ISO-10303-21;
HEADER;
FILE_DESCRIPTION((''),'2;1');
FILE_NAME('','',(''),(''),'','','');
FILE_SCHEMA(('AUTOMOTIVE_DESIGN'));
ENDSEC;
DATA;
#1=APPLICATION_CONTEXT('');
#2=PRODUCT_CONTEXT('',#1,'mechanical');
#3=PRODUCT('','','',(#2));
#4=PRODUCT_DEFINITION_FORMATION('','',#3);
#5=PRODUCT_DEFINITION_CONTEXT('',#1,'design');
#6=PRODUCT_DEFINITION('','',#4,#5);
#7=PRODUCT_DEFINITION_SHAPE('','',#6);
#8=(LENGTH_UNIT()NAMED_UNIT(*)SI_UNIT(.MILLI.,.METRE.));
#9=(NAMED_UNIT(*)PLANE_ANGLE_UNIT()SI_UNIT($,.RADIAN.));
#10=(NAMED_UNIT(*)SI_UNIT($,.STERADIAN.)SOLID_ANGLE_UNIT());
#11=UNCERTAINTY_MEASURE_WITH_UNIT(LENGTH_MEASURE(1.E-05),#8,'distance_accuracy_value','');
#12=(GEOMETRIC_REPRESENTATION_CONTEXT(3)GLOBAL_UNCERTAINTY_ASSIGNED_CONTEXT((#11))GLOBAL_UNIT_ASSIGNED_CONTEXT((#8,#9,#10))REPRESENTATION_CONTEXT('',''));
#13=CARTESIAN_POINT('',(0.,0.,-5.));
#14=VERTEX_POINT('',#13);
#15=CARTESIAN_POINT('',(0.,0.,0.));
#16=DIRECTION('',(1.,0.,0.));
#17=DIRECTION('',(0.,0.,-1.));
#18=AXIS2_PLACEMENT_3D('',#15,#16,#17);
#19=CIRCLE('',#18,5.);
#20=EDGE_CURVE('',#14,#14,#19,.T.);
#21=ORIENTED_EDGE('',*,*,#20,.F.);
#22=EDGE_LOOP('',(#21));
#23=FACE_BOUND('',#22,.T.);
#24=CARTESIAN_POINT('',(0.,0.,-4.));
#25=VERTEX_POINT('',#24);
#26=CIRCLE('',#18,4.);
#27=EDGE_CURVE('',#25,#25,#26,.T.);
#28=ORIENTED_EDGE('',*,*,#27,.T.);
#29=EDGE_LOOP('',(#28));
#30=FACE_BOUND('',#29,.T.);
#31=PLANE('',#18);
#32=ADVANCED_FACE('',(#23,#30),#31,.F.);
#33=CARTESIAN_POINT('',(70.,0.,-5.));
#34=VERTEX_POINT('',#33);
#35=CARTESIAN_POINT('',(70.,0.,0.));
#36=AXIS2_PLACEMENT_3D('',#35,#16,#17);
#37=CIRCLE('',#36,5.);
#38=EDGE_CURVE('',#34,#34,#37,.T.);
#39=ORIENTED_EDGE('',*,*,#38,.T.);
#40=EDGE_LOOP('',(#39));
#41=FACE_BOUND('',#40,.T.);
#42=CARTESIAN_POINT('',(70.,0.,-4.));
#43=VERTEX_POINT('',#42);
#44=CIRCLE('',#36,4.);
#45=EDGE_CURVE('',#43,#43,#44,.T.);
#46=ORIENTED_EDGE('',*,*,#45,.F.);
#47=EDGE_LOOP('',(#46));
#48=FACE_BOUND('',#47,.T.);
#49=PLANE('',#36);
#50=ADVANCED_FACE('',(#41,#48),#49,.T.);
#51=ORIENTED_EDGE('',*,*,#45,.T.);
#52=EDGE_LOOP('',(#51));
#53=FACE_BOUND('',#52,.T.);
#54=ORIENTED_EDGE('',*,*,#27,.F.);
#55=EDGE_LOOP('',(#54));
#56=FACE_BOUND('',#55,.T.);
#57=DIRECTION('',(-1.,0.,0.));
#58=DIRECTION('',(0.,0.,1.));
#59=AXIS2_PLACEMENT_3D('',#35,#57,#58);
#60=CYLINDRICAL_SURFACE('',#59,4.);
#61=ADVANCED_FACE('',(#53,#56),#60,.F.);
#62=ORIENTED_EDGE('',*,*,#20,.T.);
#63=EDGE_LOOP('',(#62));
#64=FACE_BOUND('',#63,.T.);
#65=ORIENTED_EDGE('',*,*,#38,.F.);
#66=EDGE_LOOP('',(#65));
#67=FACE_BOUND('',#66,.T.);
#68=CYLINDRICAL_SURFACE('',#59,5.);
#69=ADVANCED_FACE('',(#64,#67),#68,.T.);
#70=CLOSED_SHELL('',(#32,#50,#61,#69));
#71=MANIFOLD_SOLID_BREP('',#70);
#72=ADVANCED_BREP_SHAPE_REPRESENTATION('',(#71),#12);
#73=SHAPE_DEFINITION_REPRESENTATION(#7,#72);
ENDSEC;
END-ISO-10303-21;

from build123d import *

# Parameters (mm, degrees)
ESQUISSE2_R        = 5
ESQUISSE2_R_2      = 4
BOSS_EXTRU_1_DEPTH = 70


with BuildPart() as part:
    # Esquisse2 → Boss.-Extru.1 (new body)
    with BuildSketch(Plane(origin=(0, 0, 0), x_dir=(0, 0, -1), z_dir=(1, 0, 0))):
        Circle(ESQUISSE2_R)
        Circle(ESQUISSE2_R_2, mode=Mode.SUBTRACT)
    extrude(amount=BOSS_EXTRU_1_DEPTH)


solid = part.part
